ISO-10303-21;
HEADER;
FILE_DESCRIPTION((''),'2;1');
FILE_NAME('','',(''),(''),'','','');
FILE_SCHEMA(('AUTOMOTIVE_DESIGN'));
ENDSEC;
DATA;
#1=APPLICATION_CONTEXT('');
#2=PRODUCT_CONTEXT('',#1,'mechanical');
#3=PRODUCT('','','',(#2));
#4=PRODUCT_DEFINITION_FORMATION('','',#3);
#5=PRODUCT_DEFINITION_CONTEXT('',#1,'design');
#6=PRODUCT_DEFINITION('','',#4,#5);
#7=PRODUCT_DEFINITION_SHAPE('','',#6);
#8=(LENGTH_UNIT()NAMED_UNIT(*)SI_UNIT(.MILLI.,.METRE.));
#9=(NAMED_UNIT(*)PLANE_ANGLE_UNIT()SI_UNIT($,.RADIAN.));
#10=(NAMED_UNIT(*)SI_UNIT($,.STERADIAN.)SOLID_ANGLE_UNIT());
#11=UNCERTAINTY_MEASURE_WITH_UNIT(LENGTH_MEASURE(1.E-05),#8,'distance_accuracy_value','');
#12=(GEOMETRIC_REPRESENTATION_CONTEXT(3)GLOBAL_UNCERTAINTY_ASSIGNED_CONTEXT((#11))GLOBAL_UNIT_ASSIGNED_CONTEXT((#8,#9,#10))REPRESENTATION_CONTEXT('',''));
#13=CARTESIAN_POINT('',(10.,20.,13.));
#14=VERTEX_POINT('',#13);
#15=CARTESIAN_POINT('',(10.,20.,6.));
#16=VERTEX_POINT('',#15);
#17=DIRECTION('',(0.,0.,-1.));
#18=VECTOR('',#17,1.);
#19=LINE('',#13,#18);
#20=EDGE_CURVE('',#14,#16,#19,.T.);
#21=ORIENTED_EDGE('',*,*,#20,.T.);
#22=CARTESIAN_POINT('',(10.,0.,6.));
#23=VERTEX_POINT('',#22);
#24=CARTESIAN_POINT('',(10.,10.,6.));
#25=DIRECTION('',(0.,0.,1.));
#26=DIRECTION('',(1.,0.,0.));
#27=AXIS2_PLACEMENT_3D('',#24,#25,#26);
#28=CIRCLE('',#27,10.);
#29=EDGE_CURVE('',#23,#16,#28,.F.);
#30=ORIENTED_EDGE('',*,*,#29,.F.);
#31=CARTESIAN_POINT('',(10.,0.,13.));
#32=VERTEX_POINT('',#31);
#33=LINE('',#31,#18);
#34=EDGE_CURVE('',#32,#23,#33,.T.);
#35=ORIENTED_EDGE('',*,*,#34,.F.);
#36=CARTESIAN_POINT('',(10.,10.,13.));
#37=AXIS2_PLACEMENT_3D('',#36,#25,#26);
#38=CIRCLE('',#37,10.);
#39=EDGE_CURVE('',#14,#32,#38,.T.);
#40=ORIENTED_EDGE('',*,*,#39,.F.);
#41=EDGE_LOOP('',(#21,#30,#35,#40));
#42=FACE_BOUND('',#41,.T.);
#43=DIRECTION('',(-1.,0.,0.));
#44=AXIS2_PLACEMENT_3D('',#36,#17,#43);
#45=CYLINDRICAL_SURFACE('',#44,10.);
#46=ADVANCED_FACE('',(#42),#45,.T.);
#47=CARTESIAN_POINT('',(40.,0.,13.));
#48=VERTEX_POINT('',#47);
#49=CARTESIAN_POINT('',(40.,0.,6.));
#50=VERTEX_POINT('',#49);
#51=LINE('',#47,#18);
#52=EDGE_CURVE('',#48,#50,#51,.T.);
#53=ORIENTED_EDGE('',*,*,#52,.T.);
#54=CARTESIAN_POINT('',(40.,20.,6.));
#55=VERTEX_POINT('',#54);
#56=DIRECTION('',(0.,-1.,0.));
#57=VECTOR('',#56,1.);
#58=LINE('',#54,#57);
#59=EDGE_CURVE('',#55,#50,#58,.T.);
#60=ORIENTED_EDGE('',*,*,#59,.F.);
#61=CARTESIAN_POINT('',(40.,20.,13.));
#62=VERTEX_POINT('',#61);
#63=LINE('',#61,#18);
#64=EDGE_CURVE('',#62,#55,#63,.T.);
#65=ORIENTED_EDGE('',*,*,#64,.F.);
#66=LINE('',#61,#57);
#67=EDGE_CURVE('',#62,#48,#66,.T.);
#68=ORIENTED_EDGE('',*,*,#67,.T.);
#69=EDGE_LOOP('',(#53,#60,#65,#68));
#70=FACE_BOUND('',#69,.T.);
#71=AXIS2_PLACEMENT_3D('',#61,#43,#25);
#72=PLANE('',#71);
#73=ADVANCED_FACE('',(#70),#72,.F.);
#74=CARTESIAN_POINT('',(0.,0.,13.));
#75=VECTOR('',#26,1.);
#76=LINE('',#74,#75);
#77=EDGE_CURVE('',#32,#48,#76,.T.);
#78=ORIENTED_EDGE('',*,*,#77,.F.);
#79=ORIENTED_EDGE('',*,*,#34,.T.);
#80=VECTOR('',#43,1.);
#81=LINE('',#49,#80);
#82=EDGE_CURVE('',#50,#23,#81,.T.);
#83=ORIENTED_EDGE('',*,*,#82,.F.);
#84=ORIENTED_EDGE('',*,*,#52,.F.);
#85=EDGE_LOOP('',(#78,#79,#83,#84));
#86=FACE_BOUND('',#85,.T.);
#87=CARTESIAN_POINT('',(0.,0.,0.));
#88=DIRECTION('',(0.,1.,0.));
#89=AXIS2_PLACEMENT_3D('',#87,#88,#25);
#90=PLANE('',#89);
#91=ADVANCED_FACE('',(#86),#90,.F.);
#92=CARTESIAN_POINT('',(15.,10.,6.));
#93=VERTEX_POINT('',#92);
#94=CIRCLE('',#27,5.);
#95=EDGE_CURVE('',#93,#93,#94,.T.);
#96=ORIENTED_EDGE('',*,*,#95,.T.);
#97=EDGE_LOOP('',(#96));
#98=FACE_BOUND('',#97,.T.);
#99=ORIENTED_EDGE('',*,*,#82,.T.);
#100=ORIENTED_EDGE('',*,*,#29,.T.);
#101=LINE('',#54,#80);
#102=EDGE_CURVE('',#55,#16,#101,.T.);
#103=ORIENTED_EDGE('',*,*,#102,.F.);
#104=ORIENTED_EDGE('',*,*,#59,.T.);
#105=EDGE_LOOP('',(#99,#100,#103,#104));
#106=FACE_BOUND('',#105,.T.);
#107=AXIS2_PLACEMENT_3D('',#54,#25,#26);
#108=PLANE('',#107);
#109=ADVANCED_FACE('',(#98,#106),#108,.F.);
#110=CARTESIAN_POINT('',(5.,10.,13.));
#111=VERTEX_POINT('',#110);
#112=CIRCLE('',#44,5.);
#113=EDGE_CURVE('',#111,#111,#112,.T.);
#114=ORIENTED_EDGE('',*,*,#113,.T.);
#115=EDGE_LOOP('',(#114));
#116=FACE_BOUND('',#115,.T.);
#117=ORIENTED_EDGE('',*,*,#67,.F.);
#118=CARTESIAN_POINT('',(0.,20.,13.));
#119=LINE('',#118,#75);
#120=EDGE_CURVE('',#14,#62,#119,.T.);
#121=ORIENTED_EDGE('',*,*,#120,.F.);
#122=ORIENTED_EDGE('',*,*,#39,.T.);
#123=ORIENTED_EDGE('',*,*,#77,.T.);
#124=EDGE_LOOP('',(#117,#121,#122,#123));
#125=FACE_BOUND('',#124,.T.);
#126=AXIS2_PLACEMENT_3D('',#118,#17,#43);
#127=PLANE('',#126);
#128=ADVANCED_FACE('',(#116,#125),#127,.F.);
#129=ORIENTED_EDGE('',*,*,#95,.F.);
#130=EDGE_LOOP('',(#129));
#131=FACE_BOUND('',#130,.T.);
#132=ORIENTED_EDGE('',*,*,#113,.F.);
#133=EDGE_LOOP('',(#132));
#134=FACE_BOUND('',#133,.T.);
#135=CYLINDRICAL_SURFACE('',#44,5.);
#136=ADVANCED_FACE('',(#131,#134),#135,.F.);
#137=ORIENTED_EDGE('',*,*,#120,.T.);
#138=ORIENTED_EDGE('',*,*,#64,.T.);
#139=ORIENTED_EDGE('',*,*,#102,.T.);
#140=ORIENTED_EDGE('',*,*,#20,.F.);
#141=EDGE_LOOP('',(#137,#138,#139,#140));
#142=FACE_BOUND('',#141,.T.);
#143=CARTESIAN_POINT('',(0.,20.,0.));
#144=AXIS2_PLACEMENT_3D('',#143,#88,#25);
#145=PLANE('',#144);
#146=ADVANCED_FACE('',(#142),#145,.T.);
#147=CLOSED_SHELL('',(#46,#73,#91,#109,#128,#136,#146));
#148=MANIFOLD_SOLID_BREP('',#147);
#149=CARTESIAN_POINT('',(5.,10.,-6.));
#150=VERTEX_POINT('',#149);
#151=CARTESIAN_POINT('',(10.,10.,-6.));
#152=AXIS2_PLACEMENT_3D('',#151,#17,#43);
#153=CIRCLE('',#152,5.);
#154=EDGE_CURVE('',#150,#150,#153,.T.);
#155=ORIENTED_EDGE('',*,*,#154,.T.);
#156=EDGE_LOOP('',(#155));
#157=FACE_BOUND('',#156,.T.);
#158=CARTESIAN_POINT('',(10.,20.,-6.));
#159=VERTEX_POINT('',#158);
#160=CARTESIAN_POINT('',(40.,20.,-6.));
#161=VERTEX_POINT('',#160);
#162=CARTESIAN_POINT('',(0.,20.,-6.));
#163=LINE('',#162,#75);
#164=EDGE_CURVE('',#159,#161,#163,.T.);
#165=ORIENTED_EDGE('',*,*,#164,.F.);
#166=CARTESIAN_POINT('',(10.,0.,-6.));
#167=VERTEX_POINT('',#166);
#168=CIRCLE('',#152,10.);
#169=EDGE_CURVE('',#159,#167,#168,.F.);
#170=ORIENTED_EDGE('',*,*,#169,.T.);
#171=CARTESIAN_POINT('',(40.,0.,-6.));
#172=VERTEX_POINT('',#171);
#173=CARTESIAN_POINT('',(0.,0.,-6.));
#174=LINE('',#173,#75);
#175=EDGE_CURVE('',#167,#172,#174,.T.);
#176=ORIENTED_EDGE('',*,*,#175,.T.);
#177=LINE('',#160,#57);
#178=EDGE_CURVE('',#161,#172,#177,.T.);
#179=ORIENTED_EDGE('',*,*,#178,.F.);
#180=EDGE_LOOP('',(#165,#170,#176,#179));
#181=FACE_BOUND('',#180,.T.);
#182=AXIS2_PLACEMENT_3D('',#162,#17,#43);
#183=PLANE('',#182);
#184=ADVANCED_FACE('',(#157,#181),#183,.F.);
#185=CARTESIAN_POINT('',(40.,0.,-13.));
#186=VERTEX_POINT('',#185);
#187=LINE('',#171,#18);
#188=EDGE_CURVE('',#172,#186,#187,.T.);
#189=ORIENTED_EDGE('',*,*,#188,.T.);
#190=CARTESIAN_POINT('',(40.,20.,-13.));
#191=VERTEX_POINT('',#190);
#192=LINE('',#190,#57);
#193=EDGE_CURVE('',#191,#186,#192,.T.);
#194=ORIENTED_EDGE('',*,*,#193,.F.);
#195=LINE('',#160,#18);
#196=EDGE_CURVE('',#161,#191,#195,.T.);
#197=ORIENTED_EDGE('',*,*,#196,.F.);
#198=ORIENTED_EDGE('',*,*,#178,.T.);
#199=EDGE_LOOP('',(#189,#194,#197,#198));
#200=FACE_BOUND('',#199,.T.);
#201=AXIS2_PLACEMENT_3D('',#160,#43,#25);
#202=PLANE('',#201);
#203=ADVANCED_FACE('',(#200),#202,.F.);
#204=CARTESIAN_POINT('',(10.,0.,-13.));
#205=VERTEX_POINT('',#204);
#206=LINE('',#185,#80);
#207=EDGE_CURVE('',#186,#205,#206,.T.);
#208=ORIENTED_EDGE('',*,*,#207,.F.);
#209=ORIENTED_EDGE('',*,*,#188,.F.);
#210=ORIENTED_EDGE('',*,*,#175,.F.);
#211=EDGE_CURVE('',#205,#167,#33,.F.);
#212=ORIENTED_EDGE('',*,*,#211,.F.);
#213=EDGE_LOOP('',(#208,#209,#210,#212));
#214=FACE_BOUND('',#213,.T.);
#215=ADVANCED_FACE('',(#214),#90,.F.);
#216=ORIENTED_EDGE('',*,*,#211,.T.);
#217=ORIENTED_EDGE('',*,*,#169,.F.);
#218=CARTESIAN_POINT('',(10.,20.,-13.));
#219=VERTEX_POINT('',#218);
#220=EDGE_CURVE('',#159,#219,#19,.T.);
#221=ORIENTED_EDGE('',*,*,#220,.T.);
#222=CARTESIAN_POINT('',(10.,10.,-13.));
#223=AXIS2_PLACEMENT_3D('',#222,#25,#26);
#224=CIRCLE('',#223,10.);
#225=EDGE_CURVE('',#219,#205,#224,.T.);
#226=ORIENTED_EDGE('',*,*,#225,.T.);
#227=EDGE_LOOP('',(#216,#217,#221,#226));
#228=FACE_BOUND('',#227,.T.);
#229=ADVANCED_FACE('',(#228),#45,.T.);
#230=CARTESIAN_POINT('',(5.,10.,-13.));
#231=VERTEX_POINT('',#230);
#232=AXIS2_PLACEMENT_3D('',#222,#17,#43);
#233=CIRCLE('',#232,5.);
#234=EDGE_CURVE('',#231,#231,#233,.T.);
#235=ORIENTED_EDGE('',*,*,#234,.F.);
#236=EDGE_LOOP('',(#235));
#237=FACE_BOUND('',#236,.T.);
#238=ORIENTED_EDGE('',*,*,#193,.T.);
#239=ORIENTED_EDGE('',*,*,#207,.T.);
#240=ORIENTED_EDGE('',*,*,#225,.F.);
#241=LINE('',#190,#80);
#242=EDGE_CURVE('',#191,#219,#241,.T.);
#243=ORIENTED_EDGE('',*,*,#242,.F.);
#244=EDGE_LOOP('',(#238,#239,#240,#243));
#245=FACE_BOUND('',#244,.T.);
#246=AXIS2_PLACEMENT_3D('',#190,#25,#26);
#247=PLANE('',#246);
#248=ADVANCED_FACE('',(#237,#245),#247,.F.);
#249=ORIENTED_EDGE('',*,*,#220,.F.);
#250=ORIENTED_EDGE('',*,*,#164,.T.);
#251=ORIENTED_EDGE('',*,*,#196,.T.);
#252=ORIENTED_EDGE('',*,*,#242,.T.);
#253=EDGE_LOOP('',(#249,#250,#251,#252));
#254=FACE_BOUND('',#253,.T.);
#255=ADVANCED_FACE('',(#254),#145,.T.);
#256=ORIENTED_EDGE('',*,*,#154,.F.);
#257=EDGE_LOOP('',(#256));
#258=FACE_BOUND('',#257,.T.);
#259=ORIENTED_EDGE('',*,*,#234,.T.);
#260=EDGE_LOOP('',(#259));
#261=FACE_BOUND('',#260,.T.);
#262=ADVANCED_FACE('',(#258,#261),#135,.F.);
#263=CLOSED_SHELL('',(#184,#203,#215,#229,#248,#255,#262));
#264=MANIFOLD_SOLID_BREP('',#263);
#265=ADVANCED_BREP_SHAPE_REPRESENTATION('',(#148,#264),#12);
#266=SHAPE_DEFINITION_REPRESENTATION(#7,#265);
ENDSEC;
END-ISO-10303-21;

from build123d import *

# Parameters (mm, degrees)
SKETCH7_W             = 40
SKETCH7_H             = 7
BOSS_EXTRUDE3_DEPTH   = 20
BOSS_EXTRUDE3_2_DEPTH = 20
CUT_EXTRUDE9_DEPTH    = 26
SKETCH9_R             = 5
CUT_EXTRUDE10_DEPTH   = 26


with BuildPart() as part:
    # Sketch7 → Boss-Extrude3 (new body)
    with BuildSketch(Plane(origin=(0, 0, 0), x_dir=(1, 0, 0), z_dir=(0, 1, 0))):
        with Locations((20, 9.5)):
            Rectangle(SKETCH7_W, SKETCH7_H)
    extrude(amount=BOSS_EXTRUDE3_DEPTH)


with BuildPart() as body_2:
    # Sketch7 → Boss-Extrude3 2 (new body)
    with BuildSketch(Plane(origin=(0, 0, 0), x_dir=(1, 0, 0), z_dir=(0, 1, 0))):
        with Locations((20, -9.5)):
            Rectangle(SKETCH7_W, SKETCH7_H)
    extrude(amount=BOSS_EXTRUDE3_2_DEPTH)


with BuildPart() as cut_extrude9_tool:
    # Sketch8 → Cut-Extrude9 (new body)
    with BuildSketch(Plane(origin=(0, 0, -13), x_dir=(-1, 0, 0), z_dir=(0, 0, -1))):
        with BuildLine():
            Line((-10, 20), (6.269101311, 20))
            Line((6.269101311, 20), (6.269101311, 0))
            Line((6.269101311, 0), (-10, 0))
            ThreePointArc((-10, 0), (0, 10), (-10, 20))
        make_face()
    extrude(amount=-CUT_EXTRUDE9_DEPTH)


with BuildPart() as part_1:
    add(part.part)

    # Cut-Extrude9: cut by cut_extrude9_tool
    add(cut_extrude9_tool.part, mode=Mode.SUBTRACT)


with BuildPart() as body_2_1:
    add(body_2.part)

    # Cut-Extrude9: cut by cut_extrude9_tool
    add(cut_extrude9_tool.part, mode=Mode.SUBTRACT)


with BuildPart() as cut_extrude10_tool:
    # Sketch9 → Cut-Extrude10 (new body)
    with BuildSketch(Plane(origin=(0, 0, -13), x_dir=(-1, 0, 0), z_dir=(0, 0, -1))):
        with Locations((-10, 10)):
            Circle(SKETCH9_R)
    extrude(amount=-CUT_EXTRUDE10_DEPTH)


with BuildPart() as part_2:
    add(part_1.part)

    # Cut-Extrude10: cut by cut_extrude10_tool
    add(cut_extrude10_tool.part, mode=Mode.SUBTRACT)


with BuildPart() as body_2_2:
    add(body_2_1.part)

    # Cut-Extrude10: cut by cut_extrude10_tool
    add(cut_extrude10_tool.part, mode=Mode.SUBTRACT)


solid = Compound([part_2.part, body_2_2.part])
